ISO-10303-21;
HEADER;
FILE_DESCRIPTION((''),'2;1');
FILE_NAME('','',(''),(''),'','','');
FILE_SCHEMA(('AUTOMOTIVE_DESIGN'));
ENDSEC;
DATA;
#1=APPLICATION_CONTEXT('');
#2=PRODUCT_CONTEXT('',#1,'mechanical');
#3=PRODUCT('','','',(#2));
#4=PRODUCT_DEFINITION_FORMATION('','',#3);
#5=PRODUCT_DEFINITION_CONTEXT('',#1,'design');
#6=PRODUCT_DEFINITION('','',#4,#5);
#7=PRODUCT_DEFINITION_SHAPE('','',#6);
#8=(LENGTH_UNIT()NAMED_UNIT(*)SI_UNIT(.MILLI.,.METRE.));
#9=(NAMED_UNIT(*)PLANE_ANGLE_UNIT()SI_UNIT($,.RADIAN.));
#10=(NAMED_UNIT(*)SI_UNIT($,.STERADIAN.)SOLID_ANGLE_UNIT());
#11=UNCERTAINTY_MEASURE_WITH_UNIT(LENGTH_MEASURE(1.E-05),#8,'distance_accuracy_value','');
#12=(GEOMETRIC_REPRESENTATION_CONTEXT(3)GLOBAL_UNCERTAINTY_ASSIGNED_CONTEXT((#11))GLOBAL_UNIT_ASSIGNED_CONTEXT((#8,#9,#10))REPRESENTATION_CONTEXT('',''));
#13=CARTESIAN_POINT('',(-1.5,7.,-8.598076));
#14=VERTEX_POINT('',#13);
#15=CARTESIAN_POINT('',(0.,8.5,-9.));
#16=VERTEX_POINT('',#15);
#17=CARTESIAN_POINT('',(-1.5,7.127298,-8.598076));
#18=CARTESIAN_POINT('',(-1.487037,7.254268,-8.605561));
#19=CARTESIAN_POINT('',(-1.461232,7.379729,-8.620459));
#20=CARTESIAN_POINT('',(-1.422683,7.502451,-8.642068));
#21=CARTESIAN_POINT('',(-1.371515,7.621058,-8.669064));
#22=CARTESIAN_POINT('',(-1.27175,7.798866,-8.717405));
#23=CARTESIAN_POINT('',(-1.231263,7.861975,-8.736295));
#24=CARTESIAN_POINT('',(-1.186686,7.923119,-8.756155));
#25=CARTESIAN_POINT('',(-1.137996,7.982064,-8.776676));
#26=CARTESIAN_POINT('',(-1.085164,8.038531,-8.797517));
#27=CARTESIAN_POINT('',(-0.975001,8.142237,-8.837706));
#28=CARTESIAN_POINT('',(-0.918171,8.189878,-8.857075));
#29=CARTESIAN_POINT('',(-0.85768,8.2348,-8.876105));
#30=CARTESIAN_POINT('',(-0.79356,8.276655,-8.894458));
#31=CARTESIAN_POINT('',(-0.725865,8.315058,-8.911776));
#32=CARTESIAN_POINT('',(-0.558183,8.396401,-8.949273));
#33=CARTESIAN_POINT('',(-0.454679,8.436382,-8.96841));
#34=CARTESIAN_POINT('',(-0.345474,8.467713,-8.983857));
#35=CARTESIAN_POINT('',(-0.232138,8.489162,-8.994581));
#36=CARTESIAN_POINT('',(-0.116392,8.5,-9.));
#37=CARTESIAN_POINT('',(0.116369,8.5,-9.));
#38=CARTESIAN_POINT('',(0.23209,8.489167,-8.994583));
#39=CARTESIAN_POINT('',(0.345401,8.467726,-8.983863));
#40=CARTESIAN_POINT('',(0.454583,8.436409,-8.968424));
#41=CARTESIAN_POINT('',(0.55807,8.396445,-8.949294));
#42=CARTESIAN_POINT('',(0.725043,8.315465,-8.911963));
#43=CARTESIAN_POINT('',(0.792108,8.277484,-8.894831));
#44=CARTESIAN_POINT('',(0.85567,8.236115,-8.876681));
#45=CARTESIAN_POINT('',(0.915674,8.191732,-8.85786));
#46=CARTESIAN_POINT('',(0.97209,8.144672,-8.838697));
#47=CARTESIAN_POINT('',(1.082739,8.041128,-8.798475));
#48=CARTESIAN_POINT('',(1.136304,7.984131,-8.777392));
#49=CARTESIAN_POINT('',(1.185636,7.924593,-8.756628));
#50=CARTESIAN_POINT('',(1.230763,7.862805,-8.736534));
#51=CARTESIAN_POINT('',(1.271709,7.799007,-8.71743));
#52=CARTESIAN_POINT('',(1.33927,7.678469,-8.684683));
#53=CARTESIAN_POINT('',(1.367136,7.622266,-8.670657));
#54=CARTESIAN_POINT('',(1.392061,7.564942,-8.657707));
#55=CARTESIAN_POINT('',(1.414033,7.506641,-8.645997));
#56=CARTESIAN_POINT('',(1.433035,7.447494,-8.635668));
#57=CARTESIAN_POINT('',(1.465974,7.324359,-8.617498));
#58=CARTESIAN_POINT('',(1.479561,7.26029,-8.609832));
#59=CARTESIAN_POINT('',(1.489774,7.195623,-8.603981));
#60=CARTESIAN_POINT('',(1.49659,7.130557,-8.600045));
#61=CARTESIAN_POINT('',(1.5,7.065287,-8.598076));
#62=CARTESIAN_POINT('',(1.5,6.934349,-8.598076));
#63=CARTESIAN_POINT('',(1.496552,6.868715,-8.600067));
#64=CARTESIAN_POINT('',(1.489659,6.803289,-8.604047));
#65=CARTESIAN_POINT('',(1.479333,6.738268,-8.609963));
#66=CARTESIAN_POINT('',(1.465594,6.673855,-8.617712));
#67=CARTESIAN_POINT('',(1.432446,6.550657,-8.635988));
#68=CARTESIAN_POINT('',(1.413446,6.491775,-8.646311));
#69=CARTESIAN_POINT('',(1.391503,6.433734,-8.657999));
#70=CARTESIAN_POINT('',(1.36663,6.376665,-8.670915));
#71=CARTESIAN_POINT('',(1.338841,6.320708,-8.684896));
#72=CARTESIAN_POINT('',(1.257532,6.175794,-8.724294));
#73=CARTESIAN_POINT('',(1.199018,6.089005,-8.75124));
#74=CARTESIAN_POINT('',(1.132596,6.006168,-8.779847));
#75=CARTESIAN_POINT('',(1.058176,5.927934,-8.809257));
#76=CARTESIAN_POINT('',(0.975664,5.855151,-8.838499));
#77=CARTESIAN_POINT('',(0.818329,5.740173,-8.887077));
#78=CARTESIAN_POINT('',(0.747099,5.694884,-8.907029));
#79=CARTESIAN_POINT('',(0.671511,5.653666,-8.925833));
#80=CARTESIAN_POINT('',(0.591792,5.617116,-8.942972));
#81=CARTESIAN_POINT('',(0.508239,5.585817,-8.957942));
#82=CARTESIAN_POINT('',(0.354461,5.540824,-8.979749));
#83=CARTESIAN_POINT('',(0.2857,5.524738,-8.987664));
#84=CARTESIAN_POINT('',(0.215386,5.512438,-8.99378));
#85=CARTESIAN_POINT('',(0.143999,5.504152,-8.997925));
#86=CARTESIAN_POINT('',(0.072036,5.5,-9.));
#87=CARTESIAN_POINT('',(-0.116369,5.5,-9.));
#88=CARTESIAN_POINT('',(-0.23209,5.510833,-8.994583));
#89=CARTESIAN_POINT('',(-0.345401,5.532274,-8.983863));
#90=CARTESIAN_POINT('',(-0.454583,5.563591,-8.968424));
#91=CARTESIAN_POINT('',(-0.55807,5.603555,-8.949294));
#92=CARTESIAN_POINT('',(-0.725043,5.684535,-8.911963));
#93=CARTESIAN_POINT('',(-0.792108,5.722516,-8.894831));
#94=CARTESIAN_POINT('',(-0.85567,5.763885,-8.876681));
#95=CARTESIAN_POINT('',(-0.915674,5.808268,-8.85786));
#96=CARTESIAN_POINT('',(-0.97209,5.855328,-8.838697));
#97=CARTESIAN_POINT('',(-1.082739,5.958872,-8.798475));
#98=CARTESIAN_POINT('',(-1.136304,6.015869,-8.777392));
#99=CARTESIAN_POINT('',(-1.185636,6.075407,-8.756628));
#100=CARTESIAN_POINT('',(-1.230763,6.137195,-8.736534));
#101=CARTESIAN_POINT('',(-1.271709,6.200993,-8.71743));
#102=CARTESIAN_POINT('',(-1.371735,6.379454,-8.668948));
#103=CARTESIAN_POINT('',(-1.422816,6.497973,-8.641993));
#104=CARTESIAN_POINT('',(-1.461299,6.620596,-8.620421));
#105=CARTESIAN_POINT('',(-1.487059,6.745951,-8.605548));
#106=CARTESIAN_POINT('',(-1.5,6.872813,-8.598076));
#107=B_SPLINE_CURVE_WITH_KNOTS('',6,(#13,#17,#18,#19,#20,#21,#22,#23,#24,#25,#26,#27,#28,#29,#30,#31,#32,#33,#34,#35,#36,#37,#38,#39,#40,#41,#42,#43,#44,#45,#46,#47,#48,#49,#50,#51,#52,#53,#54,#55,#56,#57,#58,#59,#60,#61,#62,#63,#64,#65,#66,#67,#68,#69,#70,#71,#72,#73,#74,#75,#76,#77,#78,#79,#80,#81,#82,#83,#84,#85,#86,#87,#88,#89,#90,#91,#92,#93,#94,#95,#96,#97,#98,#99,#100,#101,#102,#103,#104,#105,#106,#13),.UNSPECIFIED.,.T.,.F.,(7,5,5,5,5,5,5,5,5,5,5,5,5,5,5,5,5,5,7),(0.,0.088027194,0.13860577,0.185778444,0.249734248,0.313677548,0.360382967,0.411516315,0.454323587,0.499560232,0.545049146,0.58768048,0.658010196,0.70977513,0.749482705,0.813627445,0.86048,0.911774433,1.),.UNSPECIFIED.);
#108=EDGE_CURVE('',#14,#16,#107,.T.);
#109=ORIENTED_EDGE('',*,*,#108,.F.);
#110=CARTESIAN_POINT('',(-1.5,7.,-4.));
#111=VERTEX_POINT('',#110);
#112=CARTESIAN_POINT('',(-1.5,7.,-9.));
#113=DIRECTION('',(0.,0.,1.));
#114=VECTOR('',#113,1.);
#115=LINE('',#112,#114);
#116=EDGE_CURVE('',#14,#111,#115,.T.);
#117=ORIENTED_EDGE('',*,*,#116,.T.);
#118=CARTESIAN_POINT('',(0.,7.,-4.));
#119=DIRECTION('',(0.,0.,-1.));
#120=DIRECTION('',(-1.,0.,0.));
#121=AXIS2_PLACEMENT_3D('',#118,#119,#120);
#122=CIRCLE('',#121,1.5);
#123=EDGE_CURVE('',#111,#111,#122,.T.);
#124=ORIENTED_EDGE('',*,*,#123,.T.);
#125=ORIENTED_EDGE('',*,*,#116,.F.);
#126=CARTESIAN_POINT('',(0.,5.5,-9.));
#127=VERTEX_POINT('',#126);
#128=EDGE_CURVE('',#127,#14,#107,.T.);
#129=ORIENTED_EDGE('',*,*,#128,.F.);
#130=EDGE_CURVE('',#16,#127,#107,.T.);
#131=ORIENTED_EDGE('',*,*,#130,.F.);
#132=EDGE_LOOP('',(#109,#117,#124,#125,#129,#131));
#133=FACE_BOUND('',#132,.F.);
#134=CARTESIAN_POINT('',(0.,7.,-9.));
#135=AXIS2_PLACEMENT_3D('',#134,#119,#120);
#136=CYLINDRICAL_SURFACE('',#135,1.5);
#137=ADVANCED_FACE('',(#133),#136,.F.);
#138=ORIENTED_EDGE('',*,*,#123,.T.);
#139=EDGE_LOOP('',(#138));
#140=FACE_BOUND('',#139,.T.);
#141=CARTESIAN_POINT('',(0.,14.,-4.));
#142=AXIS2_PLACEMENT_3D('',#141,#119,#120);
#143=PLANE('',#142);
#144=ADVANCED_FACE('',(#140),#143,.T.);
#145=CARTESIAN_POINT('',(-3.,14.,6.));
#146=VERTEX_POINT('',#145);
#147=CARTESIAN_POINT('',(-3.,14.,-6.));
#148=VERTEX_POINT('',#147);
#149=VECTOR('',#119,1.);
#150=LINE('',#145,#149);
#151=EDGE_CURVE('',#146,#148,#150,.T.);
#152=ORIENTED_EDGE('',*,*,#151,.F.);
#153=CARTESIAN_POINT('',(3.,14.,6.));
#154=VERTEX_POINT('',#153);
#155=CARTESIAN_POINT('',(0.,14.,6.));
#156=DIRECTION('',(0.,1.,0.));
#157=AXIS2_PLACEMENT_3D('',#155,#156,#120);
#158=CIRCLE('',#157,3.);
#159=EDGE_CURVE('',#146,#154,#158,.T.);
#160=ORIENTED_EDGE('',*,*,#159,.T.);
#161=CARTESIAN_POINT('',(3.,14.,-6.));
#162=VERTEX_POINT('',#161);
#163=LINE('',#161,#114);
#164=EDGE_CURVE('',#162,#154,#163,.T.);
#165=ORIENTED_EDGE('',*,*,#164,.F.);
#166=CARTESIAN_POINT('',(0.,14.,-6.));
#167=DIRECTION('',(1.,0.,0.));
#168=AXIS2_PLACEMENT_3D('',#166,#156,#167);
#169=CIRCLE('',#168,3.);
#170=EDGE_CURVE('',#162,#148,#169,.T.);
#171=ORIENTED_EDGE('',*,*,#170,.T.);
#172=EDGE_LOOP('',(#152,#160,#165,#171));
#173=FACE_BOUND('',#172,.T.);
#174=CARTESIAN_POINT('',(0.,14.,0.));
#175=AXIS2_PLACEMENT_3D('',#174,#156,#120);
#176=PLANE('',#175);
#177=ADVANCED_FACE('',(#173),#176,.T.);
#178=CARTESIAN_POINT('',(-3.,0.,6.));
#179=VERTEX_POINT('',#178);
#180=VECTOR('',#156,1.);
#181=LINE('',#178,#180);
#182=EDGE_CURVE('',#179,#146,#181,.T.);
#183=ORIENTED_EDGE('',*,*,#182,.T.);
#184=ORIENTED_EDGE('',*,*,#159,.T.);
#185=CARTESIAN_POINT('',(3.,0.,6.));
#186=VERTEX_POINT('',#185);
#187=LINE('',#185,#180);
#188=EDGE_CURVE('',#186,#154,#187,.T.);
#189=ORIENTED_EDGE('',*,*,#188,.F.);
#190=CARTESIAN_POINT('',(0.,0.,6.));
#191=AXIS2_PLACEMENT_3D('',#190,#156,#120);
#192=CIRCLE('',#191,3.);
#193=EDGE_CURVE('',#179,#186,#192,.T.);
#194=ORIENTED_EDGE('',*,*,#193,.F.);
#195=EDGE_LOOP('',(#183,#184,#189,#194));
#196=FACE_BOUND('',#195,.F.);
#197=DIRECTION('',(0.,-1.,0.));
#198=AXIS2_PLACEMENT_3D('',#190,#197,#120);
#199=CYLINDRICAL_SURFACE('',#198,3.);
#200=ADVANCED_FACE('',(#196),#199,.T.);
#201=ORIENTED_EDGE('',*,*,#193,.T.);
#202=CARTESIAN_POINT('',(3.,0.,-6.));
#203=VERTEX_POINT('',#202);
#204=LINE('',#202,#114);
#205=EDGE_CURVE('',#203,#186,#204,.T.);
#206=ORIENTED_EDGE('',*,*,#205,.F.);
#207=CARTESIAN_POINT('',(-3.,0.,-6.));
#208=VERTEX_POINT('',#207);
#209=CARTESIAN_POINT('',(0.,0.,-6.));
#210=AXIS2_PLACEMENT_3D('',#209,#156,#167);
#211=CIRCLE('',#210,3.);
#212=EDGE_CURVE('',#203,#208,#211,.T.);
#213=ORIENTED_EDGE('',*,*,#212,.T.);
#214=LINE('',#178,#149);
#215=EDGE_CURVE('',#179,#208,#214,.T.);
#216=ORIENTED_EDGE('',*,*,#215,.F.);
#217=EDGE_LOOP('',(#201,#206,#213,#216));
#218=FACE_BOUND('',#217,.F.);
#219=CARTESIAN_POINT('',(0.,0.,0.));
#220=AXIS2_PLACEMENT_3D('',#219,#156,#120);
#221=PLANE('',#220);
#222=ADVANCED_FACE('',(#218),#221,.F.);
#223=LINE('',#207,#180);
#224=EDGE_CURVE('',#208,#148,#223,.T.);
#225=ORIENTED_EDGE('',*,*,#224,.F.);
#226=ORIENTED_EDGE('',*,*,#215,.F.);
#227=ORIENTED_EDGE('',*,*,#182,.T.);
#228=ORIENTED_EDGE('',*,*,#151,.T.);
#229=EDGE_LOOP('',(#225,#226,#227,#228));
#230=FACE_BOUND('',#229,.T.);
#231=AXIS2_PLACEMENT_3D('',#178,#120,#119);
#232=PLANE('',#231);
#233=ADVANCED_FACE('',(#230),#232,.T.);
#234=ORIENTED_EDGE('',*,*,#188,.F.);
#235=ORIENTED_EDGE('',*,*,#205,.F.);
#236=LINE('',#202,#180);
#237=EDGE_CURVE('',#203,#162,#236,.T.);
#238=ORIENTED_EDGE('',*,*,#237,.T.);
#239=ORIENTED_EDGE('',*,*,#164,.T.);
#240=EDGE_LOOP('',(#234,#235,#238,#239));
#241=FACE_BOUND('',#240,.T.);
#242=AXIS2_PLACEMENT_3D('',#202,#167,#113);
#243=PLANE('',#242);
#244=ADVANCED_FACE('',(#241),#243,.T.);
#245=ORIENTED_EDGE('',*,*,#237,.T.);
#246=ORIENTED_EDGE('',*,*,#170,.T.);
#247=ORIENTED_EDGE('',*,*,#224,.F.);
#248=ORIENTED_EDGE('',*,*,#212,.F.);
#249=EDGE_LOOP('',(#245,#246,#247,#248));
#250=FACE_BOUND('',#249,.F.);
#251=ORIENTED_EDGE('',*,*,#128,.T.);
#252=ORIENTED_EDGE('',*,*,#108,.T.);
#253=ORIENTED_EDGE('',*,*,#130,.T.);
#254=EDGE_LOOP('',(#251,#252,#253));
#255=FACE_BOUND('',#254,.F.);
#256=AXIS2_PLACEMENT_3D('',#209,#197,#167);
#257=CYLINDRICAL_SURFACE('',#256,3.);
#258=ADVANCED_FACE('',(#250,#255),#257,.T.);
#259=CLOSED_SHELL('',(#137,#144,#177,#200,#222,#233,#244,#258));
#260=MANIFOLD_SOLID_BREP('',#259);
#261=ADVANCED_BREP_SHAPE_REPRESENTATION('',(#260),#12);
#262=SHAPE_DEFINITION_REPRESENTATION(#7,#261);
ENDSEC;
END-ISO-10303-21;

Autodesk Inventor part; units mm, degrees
ref_plane "YZ Plane" through (0, 0, 0) normal (1, 0, 0) x (0, 1, 0)
ref_plane "XZ Plane" through (0, 0, 0) normal (0, 1, 0) x (-1, 0, 0)
sketch "Sketch1" plane through (0, 0, 0) normal (0, 1, 0) x (-1, 0, 0)
  line L0 (0, 6) -> (0, -6) construction
  line L1 (3, 6) -> (3, -6)
  line L2 (-3, -6) -> (-3, 6)
  arc A0 (3, 6) -> (-3, 6) centre (0, 6) ccw
  arc A1 (-3, -6) -> (3, -6) centre (0, -6) ccw
  line L3 (0, 30.2784) -> (0, -34.8413) construction
  line L4 (24.1166, 0) -> (-17.2731, 0) construction
  point P0 (0, 0)
  dimension "d0" = 12
  dimension "d1" = 3
extrude "Extrusion1" add sketch "Sketch1" along normal blind 14
ref_plane "Work Plane2" through (0, 14, -9) normal (0, 0, -1) x (-1, 0, 0)
sketch "Sketch3" plane through (0, 14, -9) normal (0, 0, -1) x (-1, 0, 0)
  circle A0 centre (0, -7) radius 1.5
  line L0 (3, -14) -> (3, 0) projected
  line L1 (3, 0) -> (-3, 0) projected
  line L2 (-3, -14) -> (3, -14) projected
  line L3 (3, -14) -> (3, 0) projected
  line L4 (-3, 0) -> (3, 0) projected
  line L5 (-3, -14) -> (-3, 0) projected
  point P0 (0, -14)
  dimension "d12" = 3
  dimension "d13" = 7
  dimension "d14" = 3
extrude "Extrusion3" cut sketch "Sketch3" against normal blind 5 contours A0
properties part number "paletas"
